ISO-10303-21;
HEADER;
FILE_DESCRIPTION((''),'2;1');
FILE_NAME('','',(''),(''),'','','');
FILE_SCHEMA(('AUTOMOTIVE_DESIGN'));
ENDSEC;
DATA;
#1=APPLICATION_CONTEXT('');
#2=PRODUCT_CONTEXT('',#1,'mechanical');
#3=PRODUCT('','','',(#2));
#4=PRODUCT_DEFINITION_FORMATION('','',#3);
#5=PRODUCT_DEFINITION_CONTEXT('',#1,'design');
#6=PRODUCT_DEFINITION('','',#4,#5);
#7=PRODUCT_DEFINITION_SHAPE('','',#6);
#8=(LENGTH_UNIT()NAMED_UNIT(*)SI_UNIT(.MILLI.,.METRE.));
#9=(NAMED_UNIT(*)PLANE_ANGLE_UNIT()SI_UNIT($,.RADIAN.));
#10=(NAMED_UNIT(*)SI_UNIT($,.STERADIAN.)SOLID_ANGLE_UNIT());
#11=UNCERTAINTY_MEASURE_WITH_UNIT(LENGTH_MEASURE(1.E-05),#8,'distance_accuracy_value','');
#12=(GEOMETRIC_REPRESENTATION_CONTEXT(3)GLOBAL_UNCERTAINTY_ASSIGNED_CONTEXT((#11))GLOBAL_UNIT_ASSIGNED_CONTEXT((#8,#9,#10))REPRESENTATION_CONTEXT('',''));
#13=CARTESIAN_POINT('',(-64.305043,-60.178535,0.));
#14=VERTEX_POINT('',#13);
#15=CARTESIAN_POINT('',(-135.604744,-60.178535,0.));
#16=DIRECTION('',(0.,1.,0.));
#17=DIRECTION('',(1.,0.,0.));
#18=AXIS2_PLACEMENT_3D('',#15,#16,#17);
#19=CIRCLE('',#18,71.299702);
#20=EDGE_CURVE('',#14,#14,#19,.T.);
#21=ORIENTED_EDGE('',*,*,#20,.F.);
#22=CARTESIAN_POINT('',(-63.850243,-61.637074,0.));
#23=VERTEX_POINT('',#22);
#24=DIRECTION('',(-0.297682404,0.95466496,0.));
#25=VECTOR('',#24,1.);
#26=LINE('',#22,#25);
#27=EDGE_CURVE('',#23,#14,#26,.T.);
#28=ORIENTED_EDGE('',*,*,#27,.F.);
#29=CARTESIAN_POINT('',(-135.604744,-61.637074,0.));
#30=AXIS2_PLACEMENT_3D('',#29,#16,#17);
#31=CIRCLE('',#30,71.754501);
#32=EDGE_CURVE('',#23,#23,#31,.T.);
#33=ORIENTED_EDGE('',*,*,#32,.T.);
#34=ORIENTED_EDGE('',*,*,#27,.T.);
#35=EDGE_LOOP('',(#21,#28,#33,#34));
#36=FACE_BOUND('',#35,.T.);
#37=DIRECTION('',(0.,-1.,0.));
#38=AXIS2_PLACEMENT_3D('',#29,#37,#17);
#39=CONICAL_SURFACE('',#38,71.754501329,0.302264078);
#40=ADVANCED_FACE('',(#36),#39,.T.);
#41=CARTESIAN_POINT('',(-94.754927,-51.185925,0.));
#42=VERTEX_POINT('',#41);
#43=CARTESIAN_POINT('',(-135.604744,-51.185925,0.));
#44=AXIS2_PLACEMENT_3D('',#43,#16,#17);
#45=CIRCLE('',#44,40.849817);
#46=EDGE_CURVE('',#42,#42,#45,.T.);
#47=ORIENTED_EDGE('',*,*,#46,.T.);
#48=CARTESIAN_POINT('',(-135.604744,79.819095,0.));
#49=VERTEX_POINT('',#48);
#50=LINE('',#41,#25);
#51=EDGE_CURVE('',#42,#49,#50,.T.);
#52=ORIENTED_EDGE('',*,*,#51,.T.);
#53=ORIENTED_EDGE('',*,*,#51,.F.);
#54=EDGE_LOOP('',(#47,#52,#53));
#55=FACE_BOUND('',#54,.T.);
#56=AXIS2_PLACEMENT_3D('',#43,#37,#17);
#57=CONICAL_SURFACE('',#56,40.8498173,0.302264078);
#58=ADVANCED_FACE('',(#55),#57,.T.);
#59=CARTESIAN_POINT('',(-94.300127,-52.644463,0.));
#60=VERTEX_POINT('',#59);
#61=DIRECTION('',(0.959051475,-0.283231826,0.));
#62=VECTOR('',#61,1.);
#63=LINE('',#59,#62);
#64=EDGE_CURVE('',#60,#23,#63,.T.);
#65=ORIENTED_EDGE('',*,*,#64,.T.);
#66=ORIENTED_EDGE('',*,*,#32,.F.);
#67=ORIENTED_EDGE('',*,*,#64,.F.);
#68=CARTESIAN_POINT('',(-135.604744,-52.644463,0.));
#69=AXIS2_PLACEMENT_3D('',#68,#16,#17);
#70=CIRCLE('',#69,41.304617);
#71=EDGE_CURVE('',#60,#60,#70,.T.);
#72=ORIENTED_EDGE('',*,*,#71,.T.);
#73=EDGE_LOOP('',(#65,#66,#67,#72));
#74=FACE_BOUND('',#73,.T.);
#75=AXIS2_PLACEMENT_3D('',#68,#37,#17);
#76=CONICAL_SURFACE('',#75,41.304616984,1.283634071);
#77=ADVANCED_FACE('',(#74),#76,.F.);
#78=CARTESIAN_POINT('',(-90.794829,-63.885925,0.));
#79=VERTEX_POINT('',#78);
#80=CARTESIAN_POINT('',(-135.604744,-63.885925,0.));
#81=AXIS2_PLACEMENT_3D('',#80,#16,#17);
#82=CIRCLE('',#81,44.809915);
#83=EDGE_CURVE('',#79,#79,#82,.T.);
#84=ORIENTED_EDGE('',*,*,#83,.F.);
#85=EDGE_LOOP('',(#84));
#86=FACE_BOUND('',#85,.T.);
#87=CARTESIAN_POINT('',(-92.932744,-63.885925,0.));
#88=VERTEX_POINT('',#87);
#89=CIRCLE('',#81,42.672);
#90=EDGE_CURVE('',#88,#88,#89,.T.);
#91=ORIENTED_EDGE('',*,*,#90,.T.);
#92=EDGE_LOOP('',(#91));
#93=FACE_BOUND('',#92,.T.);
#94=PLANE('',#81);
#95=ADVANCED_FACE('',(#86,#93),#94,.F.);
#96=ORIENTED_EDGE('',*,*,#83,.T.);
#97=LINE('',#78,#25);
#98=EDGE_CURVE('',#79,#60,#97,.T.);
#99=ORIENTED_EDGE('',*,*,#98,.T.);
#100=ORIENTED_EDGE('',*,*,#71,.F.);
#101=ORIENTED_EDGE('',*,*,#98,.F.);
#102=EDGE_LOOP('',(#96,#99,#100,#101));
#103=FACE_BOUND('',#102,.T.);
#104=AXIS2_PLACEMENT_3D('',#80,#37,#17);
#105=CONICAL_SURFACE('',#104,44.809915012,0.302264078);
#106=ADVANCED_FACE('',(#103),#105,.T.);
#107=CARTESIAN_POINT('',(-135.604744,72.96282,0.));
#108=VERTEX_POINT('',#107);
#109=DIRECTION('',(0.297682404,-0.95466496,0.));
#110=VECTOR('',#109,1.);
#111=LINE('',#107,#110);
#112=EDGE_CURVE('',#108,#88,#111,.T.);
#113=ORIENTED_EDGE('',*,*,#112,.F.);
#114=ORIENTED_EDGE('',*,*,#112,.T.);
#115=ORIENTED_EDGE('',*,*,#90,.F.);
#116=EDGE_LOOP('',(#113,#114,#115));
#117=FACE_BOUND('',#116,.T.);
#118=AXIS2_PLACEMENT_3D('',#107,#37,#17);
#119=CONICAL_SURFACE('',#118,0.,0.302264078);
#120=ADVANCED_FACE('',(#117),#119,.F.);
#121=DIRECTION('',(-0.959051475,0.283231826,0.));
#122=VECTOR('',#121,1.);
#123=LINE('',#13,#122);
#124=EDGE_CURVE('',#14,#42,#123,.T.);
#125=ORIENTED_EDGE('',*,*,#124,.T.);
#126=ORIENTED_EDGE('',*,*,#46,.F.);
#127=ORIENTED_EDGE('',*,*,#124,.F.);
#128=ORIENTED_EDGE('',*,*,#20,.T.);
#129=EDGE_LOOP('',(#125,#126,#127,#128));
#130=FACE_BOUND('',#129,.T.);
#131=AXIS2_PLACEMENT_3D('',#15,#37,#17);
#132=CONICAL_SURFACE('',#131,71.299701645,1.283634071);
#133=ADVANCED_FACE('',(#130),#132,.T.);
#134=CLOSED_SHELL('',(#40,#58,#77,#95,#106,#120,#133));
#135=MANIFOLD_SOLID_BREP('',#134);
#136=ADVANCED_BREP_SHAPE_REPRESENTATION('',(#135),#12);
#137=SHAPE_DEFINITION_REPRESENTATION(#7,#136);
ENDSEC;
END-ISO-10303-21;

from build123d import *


with BuildPart() as f1:
    # F0 (on Top) → F1 (revolve)
    with BuildSketch(Plane.XY):
        Polygon((-135.6047441603, 79.8190953634), (-135.6047441603, 72.9628199308), (-92.9327441603, -63.8859245598), (-90.7948291479, -63.8859245598), (-94.3001271763, -52.644463315), (-94.7549268603, -51.1859245598), align=None)
        Polygon((-64.3050425151, -60.1785350463), (-94.7549268603, -51.1859245598), (-94.3001271763, -52.644463315), (-63.850242831, -61.6370738015), align=None)
    revolve(axis=Axis((-135.6047441603, 7.9665854018, 0), (0, 1, 0)))


solid = f1.part
